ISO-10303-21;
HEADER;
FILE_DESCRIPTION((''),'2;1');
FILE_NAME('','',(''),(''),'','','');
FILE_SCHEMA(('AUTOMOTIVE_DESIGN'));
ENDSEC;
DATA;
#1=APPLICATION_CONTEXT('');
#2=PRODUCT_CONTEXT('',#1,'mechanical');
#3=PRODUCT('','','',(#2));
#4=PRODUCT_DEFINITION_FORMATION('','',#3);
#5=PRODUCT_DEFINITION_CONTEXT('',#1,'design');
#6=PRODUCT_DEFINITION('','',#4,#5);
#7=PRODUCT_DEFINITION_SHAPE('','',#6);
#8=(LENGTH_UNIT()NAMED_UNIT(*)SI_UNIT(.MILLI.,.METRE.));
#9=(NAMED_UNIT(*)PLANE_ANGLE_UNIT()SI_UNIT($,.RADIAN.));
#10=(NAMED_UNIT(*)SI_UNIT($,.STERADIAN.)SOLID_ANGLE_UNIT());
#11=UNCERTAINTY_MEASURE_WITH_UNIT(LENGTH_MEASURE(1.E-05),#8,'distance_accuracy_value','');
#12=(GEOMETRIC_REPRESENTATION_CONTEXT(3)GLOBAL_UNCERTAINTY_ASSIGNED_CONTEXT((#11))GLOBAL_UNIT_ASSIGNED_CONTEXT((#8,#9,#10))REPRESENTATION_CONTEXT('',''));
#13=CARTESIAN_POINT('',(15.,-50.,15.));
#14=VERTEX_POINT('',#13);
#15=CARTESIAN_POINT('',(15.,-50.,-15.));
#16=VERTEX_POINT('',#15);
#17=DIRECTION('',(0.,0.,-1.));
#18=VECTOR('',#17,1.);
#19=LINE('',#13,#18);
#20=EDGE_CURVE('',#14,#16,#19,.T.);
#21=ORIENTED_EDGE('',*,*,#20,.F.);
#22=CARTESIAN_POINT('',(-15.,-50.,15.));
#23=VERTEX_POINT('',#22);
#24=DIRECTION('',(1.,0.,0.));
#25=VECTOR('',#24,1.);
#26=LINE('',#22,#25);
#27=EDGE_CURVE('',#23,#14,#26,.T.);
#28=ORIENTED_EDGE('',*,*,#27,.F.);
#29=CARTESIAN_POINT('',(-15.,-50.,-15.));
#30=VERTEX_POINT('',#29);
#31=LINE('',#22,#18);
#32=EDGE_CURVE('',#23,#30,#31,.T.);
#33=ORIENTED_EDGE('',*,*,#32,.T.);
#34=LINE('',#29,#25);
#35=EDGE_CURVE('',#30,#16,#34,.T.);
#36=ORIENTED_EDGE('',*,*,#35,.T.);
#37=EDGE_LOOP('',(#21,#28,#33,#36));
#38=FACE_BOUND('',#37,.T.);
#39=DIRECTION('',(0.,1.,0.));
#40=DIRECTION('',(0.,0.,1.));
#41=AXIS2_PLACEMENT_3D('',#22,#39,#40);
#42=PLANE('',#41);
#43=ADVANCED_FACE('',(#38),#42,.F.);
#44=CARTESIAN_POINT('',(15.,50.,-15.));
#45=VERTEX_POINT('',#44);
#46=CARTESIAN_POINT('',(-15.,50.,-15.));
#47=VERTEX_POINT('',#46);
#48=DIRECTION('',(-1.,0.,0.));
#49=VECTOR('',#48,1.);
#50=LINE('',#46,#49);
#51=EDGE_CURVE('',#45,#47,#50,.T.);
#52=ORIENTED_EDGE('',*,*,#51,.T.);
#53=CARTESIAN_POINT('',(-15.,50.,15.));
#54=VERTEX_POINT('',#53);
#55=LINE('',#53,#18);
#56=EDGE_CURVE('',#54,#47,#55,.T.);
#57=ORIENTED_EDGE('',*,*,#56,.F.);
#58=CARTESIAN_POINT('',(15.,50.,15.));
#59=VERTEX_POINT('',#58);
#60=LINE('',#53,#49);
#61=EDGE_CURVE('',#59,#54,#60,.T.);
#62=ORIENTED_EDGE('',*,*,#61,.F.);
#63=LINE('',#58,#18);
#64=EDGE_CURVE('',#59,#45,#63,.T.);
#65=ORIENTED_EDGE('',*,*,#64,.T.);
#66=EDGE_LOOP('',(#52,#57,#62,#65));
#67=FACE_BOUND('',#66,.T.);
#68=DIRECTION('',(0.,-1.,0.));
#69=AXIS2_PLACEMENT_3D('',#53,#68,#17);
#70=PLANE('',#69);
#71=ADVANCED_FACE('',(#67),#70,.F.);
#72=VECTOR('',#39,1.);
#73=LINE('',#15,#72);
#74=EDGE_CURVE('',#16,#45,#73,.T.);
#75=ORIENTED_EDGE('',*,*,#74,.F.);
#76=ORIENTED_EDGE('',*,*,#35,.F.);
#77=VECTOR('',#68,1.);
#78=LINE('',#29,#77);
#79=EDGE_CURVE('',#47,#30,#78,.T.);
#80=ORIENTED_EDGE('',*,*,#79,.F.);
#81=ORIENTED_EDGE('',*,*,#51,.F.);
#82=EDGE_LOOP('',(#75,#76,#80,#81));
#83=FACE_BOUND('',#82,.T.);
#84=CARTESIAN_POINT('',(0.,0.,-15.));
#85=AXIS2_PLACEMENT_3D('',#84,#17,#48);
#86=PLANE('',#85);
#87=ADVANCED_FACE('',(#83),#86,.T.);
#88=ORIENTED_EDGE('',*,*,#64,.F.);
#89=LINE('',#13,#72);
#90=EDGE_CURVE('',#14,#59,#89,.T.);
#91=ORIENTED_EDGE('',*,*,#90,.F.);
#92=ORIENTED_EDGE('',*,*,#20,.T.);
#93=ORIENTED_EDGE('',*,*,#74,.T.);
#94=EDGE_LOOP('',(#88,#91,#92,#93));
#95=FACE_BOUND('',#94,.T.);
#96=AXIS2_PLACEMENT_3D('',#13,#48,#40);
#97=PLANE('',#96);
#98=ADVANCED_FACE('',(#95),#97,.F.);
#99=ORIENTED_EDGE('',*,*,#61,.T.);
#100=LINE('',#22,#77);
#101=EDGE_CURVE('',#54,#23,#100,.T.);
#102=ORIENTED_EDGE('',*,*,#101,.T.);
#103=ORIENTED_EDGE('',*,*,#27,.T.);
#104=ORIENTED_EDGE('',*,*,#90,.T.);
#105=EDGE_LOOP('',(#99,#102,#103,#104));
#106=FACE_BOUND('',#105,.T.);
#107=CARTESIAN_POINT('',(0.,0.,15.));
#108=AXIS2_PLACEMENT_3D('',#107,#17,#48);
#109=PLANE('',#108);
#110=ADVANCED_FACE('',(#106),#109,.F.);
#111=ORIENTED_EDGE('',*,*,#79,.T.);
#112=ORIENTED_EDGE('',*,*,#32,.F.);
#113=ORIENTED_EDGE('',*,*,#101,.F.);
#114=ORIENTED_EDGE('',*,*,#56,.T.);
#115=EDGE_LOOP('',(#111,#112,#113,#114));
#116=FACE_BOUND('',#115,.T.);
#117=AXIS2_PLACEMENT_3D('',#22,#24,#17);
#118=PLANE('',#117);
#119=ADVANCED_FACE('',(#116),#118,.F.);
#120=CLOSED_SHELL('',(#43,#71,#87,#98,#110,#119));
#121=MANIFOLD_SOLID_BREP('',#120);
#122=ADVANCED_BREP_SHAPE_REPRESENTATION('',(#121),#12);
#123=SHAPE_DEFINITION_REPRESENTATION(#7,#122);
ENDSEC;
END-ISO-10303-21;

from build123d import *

# Parameters (mm, degrees)
SKETCH3_W           = 30
SKETCH3_H           = 100
BOSS_EXTRUDE1_DEPTH = 15


with BuildPart() as part:
    # Sketch3 → Boss-Extrude1 (new body, symmetric)
    with BuildSketch(Plane.XY):
        Rectangle(SKETCH3_W, SKETCH3_H)
    extrude(amount=BOSS_EXTRUDE1_DEPTH, both=True)


solid = part.part
